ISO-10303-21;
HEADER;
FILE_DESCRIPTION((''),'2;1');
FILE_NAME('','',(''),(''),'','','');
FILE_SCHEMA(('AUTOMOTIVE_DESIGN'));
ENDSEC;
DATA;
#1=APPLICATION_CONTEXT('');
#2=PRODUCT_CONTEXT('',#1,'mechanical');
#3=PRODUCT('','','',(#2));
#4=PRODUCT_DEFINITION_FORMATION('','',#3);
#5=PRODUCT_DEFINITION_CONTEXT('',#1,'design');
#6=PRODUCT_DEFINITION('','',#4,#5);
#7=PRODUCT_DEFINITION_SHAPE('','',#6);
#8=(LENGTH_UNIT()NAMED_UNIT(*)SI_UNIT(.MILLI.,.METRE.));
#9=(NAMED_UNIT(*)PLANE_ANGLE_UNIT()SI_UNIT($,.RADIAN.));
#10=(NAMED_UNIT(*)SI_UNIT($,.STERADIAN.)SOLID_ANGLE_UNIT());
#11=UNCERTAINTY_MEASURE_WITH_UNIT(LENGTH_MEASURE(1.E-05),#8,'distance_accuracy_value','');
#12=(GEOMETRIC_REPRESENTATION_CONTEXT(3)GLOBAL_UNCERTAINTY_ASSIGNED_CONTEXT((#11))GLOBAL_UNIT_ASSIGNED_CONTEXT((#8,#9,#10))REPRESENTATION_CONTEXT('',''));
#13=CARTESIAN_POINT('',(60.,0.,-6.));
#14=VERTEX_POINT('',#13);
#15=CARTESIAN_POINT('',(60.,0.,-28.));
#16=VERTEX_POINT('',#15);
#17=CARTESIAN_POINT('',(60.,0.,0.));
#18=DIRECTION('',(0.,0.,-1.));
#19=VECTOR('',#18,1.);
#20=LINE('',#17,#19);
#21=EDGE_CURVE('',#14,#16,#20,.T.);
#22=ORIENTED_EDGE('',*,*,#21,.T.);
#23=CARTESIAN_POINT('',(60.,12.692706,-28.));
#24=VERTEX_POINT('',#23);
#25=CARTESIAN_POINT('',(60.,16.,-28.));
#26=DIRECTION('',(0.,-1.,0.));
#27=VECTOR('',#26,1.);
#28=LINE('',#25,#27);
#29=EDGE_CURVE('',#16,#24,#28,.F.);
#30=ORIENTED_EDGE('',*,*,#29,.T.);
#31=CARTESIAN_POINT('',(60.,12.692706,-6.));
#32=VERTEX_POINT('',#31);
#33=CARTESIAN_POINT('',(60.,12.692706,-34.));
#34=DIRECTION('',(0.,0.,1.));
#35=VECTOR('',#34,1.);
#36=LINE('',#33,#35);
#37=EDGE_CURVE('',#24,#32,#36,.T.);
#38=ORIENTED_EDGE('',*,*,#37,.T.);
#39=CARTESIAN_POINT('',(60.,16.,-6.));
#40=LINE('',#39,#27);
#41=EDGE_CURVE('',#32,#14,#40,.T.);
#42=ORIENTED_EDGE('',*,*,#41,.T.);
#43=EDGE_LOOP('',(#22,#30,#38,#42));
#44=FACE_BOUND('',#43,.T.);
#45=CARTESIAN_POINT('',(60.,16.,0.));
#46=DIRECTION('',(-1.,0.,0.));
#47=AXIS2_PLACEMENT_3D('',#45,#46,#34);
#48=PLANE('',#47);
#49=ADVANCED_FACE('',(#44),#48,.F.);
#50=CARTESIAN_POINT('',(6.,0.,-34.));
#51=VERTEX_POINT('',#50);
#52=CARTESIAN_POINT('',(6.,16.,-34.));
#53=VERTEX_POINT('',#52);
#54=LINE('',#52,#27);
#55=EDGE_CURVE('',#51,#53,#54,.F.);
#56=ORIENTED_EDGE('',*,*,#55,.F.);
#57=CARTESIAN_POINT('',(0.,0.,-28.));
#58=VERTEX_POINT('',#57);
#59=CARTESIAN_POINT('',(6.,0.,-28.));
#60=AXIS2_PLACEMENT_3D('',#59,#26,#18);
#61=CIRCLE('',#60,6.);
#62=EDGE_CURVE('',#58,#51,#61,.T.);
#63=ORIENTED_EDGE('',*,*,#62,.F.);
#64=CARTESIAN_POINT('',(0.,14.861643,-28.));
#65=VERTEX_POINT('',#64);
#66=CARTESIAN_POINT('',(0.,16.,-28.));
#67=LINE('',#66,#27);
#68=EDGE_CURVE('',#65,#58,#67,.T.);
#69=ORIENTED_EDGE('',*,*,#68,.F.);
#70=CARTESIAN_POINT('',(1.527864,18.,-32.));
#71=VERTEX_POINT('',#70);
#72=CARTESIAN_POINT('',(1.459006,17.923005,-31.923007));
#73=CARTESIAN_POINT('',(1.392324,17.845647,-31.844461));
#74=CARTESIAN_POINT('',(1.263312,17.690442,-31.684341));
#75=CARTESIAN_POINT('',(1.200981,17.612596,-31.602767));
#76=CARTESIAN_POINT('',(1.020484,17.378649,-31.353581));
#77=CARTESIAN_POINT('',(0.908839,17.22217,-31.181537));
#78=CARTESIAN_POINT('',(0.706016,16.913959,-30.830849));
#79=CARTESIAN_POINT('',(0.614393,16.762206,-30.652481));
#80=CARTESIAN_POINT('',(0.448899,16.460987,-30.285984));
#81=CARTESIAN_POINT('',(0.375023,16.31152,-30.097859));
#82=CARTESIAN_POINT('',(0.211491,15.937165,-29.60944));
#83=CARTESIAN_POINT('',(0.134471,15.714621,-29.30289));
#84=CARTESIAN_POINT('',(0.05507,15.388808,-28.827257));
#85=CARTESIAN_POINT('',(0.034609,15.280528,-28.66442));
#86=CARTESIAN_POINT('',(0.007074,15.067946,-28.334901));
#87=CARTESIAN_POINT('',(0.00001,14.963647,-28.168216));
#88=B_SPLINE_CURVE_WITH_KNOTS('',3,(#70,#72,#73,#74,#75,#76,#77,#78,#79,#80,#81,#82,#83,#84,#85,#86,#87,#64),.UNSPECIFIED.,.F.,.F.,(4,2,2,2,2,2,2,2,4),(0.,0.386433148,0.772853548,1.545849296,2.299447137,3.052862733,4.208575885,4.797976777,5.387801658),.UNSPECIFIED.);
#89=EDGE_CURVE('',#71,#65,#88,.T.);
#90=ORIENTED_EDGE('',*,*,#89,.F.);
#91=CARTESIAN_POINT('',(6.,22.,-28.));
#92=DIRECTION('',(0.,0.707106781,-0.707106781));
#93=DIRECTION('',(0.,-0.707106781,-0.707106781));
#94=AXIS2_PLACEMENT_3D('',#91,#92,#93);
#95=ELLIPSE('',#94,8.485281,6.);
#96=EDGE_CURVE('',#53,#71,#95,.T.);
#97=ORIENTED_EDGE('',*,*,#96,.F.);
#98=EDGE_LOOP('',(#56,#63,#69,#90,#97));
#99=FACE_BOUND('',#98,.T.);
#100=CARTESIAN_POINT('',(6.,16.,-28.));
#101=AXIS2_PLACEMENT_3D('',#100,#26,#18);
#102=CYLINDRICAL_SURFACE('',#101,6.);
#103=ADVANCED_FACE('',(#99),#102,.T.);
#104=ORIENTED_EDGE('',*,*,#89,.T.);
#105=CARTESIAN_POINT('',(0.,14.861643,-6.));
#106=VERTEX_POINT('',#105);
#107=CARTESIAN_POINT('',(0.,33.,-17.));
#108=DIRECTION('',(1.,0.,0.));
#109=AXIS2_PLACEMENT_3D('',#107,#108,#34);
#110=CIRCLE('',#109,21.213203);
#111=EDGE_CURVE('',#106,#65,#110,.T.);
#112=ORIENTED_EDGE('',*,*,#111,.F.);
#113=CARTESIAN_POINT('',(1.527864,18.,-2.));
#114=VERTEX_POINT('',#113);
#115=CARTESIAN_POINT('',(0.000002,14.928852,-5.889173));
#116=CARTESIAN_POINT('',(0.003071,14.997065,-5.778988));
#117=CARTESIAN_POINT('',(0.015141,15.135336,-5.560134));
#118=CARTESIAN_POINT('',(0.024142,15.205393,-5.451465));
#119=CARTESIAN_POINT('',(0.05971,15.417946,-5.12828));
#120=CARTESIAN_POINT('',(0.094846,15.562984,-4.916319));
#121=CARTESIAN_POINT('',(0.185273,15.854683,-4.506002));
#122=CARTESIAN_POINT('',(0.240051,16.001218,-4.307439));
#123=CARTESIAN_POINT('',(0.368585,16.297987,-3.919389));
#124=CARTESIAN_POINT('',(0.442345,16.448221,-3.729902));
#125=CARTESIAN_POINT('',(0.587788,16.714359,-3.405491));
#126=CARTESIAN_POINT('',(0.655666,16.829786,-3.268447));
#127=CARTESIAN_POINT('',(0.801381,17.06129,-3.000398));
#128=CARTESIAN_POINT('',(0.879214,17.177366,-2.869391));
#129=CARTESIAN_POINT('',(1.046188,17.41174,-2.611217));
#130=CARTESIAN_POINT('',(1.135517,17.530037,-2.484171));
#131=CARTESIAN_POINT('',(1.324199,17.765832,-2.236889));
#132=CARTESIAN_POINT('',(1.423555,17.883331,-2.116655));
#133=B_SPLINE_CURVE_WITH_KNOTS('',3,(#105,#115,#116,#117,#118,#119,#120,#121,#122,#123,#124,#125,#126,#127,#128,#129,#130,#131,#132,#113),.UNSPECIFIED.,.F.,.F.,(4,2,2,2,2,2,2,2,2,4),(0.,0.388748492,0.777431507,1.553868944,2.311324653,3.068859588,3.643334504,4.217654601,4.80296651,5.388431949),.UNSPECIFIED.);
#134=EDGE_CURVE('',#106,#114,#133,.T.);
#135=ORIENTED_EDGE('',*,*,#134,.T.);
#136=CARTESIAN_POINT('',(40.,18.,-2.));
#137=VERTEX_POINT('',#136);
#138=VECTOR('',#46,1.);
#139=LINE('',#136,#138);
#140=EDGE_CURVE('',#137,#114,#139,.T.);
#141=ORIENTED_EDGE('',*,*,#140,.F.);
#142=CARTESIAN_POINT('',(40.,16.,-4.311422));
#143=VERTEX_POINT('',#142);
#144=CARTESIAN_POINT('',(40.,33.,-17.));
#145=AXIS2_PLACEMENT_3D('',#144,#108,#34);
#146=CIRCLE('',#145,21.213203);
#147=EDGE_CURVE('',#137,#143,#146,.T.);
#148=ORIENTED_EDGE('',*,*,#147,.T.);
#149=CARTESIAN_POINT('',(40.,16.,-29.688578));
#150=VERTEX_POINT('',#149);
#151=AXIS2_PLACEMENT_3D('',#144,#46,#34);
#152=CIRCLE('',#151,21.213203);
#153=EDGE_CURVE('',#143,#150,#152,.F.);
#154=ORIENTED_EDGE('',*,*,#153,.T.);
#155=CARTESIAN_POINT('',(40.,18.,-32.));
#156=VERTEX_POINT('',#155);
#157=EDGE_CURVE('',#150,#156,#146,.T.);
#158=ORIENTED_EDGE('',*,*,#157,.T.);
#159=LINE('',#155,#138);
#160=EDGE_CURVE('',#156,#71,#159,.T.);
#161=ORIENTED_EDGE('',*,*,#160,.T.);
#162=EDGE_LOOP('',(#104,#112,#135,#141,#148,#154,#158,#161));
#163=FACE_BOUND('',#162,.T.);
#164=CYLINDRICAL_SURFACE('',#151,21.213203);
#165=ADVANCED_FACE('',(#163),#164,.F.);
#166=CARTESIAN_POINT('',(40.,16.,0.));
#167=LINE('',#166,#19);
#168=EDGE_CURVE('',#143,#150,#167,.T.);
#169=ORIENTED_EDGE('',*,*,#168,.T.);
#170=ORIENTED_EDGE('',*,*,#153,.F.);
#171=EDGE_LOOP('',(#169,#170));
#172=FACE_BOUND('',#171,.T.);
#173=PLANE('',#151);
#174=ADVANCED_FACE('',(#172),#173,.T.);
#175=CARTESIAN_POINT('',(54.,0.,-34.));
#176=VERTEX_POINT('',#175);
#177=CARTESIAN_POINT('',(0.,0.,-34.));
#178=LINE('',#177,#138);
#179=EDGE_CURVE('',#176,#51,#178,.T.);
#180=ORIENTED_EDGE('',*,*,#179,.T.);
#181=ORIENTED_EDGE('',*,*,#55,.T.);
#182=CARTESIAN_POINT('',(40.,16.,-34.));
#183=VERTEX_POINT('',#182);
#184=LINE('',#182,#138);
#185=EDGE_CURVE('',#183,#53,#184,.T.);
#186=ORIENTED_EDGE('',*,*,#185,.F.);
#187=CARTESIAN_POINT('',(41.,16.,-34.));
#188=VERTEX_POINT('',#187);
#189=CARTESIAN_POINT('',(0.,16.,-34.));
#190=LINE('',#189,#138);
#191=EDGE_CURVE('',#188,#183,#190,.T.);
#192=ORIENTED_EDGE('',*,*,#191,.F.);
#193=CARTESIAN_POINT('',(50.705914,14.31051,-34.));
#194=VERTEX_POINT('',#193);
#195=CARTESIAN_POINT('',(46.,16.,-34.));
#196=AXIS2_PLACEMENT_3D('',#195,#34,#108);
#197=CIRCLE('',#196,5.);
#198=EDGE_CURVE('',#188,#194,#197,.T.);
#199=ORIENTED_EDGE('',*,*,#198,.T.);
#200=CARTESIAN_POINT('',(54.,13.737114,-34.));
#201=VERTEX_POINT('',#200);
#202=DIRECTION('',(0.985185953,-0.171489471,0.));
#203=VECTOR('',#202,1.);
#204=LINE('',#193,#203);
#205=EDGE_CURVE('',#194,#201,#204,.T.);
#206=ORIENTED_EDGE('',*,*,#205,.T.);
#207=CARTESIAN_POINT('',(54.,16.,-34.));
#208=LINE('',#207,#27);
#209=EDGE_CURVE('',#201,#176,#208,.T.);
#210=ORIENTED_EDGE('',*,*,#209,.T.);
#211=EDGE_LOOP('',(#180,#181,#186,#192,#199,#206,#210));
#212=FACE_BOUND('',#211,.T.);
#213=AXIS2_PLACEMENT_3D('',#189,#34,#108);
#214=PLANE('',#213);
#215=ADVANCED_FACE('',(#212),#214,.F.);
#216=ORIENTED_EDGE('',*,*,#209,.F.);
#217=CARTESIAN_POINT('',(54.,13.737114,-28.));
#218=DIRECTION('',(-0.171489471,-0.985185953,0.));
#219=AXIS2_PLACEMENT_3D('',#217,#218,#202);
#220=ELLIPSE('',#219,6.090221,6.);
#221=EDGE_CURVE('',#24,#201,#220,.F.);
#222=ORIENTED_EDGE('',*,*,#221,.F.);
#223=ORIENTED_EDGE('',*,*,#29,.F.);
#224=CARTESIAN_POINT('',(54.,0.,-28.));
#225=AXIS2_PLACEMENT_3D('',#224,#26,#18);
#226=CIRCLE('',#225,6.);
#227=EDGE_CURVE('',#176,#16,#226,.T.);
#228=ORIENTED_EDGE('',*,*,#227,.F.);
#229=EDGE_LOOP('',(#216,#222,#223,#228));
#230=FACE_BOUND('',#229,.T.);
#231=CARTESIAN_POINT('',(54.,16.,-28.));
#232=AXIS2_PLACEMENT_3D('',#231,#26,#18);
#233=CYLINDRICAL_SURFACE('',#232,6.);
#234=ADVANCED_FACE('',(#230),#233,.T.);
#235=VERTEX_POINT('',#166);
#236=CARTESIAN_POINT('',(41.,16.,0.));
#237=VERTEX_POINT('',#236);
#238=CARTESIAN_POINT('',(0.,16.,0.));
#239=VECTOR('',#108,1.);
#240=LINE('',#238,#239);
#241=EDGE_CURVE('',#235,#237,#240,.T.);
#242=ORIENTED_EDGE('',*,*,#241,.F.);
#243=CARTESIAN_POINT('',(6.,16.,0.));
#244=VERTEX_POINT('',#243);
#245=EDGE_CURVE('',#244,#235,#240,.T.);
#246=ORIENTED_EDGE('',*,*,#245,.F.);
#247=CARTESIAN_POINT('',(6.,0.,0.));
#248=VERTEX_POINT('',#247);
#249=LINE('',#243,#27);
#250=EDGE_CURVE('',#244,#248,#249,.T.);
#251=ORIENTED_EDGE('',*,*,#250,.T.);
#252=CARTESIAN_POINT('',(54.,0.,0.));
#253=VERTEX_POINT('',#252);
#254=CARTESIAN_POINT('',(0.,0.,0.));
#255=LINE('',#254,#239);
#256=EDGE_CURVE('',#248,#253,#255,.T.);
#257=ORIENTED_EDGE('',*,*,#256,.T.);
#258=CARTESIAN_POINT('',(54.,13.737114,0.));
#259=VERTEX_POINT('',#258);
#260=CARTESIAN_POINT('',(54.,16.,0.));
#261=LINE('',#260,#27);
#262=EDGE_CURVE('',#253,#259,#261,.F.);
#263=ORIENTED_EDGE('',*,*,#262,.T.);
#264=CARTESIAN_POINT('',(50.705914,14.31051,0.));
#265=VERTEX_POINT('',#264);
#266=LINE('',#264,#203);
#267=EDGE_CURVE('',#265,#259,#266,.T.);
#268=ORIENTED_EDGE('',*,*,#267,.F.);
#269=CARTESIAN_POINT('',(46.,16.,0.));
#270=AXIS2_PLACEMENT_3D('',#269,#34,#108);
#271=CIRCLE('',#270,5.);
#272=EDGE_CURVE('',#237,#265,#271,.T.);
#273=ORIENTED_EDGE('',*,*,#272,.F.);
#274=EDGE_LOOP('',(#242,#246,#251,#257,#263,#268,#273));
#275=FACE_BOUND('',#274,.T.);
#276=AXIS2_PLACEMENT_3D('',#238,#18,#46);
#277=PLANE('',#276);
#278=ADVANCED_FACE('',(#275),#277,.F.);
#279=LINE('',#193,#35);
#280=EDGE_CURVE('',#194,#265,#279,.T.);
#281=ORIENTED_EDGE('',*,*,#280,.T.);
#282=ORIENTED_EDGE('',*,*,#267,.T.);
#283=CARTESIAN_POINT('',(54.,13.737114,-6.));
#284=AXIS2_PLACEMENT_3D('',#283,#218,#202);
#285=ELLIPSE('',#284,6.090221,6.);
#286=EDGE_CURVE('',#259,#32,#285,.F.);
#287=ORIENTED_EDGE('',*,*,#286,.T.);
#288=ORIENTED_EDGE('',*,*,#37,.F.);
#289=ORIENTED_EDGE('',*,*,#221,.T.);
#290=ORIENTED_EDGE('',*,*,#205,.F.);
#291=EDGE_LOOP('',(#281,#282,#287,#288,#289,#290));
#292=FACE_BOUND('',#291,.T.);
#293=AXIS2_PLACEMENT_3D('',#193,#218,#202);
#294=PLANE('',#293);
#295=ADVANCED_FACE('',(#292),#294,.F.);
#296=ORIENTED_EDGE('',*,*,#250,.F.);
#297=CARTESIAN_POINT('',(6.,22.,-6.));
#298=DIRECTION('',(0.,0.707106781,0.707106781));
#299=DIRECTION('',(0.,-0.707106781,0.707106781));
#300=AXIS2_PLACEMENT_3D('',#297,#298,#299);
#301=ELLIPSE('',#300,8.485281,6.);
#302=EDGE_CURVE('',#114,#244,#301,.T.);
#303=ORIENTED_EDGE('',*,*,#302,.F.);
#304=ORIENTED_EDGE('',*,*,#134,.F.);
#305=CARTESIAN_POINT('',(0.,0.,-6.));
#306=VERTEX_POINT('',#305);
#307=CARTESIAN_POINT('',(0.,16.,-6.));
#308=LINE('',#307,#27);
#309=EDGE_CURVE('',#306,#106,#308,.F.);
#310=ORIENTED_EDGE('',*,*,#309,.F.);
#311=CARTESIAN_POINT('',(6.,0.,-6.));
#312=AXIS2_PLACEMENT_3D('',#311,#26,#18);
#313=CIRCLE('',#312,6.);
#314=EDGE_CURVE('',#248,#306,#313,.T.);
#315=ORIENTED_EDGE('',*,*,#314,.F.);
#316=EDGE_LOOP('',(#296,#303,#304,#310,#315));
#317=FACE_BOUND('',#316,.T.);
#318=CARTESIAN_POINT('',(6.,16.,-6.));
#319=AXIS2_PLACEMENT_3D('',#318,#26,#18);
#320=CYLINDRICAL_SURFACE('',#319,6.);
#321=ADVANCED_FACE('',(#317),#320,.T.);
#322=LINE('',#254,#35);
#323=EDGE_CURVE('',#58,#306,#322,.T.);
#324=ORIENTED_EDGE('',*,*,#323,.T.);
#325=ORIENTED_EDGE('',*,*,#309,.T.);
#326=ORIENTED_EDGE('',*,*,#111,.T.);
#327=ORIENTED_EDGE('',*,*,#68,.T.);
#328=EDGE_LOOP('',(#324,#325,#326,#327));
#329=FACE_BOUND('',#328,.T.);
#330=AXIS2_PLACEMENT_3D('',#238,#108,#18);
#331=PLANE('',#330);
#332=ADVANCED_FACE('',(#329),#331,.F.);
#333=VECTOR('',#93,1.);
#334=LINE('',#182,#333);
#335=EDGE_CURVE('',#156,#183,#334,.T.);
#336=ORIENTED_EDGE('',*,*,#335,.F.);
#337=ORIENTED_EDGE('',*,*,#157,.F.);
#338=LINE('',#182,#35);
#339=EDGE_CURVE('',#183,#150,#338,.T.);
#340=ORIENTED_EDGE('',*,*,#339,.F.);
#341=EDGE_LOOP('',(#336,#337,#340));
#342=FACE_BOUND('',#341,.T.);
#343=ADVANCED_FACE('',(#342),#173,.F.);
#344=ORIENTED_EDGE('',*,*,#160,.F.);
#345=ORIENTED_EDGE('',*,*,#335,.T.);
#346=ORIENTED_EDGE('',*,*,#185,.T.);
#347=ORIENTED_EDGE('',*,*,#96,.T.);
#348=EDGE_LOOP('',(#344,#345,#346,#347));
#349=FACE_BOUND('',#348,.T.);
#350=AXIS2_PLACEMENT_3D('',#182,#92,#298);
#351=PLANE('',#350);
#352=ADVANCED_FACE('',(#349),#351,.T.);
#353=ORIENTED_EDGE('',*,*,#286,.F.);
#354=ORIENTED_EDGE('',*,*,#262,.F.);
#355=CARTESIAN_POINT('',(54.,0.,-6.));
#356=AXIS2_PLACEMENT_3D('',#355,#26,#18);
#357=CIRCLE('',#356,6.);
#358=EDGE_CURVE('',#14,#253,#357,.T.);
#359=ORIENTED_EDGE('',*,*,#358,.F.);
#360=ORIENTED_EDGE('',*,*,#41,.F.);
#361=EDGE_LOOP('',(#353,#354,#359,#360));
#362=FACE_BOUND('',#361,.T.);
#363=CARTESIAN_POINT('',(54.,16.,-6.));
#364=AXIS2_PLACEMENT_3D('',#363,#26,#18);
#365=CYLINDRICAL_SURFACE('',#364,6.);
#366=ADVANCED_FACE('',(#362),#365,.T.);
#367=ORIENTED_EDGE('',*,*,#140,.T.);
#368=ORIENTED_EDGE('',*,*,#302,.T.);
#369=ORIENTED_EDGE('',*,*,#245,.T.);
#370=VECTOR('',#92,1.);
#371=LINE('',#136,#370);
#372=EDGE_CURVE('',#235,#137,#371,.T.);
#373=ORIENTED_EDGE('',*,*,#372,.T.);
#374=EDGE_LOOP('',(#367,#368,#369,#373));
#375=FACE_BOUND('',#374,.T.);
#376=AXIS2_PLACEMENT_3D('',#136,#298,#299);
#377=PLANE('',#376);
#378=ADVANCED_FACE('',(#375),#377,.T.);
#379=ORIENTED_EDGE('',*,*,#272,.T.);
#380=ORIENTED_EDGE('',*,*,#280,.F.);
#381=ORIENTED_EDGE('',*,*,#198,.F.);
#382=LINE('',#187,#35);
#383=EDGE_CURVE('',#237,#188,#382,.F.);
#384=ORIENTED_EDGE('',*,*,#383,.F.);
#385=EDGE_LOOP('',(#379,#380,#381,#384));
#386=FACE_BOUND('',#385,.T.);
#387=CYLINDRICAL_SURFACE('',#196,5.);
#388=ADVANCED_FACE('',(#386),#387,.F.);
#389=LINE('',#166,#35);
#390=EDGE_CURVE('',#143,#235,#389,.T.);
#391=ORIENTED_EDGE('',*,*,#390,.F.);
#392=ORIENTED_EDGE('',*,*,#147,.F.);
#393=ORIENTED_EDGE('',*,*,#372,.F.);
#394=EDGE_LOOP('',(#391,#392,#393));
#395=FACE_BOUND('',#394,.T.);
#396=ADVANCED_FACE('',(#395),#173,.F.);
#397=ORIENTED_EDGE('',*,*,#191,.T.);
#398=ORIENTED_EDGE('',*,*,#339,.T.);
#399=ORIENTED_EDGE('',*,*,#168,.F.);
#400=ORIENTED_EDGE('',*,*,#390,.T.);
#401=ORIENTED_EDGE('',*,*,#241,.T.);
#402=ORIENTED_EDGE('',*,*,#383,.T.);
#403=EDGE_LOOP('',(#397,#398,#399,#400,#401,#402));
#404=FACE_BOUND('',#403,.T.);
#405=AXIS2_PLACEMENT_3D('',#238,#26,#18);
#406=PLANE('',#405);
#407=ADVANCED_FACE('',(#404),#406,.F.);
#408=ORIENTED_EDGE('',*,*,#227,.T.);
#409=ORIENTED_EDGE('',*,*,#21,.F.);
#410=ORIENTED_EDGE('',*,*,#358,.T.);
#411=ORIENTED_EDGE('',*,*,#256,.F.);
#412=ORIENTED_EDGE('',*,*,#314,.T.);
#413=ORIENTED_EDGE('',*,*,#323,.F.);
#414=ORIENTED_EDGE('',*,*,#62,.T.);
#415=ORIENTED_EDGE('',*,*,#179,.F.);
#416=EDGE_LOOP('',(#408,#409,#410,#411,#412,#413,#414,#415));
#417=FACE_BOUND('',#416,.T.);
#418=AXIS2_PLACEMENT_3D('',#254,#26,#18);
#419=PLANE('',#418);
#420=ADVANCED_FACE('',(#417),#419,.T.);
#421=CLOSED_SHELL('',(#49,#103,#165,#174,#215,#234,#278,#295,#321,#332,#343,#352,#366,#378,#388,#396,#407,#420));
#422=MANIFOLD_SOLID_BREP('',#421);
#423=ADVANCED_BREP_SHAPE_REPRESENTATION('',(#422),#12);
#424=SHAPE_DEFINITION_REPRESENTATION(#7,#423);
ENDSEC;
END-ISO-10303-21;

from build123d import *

# Parameters (mm, degrees)
SKETCH1_W           = 60
SKETCH1_H           = 34
BOSS_EXTRUDE1_DEPTH = 16
BOSS_EXTRUDE2_DEPTH = 40
CUT_EXTRUDE2_DEPTH  = 40
SKETCH2_R           = 5
CUT_EXTRUDE1_DEPTH  = 72.274118725
FILLET1_R           = 6
CUT_EXTRUDE3_DEPTH  = 72.274118798


with BuildPart() as part:
    # Sketch1 → Boss-Extrude1 (new body)
    with BuildSketch(Plane(origin=(0, 0, 0), x_dir=(1, 0, 0), z_dir=(0, 1, 0))):
        with Locations((30, 17)):
            Rectangle(SKETCH1_W, SKETCH1_H)
    extrude(amount=BOSS_EXTRUDE1_DEPTH)

    # Sketch3 → Boss-Extrude2 (add)
    with BuildSketch(Plane.ZY):
        with BuildLine():
            Line((-34, 16), (-32, 18))
            ThreePointArc((-32, 18), (-30.88035776, 16.958314663), (-29.68857754, 16))
            Line((-29.68857754, 16), (-34, 16))
        make_face()
        with BuildLine():
            Line((-2, 18), (0, 16))
            Line((0, 16), (-4.31142246, 16))
            ThreePointArc((-4.31142246, 16), (-3.11964224, 16.958314663), (-2, 18))
        make_face()
    extrude(amount=-BOSS_EXTRUDE2_DEPTH)

    # Sketch4 → Cut-Extrude2 (cut)
    with BuildSketch(Plane.ZY):
        with BuildLine():
            Line((-19.472144861, 33), (-38.213203436, 33))
            ThreePointArc((-38.213203436, 33), (-17, 11.786796564), (4.213203436, 33))
            Line((4.213203436, 33), (-19.472144861, 33))
        make_face()
    extrude(amount=-CUT_EXTRUDE2_DEPTH, mode=Mode.SUBTRACT)

    # Sketch2 → Cut-Extrude1 (cut, through all)
    with BuildSketch(Plane.XY):
        with Locations((46, 16)):
            Circle(SKETCH2_R)
    extrude(amount=-CUT_EXTRUDE1_DEPTH, mode=Mode.SUBTRACT)

    # Fillet1
    fillet1_edges = [part.edges().sort_by_distance(p)[0] for p in [
        (0, 8, -34),
        (60, 8, -34),
        (60, 8, 0),
        (0, 8, 0),
    ]]
    fillet(fillet1_edges, radius=FILLET1_R)

    # Sketch5 → Cut-Extrude3 (cut, through all)
    with BuildSketch(Plane.XY):
        Polygon((50.705913613, 14.310509822), (60, 12.692705636), (60, 16), (51, 16), align=None)
    extrude(amount=-CUT_EXTRUDE3_DEPTH, mode=Mode.SUBTRACT)


solid = part.part
